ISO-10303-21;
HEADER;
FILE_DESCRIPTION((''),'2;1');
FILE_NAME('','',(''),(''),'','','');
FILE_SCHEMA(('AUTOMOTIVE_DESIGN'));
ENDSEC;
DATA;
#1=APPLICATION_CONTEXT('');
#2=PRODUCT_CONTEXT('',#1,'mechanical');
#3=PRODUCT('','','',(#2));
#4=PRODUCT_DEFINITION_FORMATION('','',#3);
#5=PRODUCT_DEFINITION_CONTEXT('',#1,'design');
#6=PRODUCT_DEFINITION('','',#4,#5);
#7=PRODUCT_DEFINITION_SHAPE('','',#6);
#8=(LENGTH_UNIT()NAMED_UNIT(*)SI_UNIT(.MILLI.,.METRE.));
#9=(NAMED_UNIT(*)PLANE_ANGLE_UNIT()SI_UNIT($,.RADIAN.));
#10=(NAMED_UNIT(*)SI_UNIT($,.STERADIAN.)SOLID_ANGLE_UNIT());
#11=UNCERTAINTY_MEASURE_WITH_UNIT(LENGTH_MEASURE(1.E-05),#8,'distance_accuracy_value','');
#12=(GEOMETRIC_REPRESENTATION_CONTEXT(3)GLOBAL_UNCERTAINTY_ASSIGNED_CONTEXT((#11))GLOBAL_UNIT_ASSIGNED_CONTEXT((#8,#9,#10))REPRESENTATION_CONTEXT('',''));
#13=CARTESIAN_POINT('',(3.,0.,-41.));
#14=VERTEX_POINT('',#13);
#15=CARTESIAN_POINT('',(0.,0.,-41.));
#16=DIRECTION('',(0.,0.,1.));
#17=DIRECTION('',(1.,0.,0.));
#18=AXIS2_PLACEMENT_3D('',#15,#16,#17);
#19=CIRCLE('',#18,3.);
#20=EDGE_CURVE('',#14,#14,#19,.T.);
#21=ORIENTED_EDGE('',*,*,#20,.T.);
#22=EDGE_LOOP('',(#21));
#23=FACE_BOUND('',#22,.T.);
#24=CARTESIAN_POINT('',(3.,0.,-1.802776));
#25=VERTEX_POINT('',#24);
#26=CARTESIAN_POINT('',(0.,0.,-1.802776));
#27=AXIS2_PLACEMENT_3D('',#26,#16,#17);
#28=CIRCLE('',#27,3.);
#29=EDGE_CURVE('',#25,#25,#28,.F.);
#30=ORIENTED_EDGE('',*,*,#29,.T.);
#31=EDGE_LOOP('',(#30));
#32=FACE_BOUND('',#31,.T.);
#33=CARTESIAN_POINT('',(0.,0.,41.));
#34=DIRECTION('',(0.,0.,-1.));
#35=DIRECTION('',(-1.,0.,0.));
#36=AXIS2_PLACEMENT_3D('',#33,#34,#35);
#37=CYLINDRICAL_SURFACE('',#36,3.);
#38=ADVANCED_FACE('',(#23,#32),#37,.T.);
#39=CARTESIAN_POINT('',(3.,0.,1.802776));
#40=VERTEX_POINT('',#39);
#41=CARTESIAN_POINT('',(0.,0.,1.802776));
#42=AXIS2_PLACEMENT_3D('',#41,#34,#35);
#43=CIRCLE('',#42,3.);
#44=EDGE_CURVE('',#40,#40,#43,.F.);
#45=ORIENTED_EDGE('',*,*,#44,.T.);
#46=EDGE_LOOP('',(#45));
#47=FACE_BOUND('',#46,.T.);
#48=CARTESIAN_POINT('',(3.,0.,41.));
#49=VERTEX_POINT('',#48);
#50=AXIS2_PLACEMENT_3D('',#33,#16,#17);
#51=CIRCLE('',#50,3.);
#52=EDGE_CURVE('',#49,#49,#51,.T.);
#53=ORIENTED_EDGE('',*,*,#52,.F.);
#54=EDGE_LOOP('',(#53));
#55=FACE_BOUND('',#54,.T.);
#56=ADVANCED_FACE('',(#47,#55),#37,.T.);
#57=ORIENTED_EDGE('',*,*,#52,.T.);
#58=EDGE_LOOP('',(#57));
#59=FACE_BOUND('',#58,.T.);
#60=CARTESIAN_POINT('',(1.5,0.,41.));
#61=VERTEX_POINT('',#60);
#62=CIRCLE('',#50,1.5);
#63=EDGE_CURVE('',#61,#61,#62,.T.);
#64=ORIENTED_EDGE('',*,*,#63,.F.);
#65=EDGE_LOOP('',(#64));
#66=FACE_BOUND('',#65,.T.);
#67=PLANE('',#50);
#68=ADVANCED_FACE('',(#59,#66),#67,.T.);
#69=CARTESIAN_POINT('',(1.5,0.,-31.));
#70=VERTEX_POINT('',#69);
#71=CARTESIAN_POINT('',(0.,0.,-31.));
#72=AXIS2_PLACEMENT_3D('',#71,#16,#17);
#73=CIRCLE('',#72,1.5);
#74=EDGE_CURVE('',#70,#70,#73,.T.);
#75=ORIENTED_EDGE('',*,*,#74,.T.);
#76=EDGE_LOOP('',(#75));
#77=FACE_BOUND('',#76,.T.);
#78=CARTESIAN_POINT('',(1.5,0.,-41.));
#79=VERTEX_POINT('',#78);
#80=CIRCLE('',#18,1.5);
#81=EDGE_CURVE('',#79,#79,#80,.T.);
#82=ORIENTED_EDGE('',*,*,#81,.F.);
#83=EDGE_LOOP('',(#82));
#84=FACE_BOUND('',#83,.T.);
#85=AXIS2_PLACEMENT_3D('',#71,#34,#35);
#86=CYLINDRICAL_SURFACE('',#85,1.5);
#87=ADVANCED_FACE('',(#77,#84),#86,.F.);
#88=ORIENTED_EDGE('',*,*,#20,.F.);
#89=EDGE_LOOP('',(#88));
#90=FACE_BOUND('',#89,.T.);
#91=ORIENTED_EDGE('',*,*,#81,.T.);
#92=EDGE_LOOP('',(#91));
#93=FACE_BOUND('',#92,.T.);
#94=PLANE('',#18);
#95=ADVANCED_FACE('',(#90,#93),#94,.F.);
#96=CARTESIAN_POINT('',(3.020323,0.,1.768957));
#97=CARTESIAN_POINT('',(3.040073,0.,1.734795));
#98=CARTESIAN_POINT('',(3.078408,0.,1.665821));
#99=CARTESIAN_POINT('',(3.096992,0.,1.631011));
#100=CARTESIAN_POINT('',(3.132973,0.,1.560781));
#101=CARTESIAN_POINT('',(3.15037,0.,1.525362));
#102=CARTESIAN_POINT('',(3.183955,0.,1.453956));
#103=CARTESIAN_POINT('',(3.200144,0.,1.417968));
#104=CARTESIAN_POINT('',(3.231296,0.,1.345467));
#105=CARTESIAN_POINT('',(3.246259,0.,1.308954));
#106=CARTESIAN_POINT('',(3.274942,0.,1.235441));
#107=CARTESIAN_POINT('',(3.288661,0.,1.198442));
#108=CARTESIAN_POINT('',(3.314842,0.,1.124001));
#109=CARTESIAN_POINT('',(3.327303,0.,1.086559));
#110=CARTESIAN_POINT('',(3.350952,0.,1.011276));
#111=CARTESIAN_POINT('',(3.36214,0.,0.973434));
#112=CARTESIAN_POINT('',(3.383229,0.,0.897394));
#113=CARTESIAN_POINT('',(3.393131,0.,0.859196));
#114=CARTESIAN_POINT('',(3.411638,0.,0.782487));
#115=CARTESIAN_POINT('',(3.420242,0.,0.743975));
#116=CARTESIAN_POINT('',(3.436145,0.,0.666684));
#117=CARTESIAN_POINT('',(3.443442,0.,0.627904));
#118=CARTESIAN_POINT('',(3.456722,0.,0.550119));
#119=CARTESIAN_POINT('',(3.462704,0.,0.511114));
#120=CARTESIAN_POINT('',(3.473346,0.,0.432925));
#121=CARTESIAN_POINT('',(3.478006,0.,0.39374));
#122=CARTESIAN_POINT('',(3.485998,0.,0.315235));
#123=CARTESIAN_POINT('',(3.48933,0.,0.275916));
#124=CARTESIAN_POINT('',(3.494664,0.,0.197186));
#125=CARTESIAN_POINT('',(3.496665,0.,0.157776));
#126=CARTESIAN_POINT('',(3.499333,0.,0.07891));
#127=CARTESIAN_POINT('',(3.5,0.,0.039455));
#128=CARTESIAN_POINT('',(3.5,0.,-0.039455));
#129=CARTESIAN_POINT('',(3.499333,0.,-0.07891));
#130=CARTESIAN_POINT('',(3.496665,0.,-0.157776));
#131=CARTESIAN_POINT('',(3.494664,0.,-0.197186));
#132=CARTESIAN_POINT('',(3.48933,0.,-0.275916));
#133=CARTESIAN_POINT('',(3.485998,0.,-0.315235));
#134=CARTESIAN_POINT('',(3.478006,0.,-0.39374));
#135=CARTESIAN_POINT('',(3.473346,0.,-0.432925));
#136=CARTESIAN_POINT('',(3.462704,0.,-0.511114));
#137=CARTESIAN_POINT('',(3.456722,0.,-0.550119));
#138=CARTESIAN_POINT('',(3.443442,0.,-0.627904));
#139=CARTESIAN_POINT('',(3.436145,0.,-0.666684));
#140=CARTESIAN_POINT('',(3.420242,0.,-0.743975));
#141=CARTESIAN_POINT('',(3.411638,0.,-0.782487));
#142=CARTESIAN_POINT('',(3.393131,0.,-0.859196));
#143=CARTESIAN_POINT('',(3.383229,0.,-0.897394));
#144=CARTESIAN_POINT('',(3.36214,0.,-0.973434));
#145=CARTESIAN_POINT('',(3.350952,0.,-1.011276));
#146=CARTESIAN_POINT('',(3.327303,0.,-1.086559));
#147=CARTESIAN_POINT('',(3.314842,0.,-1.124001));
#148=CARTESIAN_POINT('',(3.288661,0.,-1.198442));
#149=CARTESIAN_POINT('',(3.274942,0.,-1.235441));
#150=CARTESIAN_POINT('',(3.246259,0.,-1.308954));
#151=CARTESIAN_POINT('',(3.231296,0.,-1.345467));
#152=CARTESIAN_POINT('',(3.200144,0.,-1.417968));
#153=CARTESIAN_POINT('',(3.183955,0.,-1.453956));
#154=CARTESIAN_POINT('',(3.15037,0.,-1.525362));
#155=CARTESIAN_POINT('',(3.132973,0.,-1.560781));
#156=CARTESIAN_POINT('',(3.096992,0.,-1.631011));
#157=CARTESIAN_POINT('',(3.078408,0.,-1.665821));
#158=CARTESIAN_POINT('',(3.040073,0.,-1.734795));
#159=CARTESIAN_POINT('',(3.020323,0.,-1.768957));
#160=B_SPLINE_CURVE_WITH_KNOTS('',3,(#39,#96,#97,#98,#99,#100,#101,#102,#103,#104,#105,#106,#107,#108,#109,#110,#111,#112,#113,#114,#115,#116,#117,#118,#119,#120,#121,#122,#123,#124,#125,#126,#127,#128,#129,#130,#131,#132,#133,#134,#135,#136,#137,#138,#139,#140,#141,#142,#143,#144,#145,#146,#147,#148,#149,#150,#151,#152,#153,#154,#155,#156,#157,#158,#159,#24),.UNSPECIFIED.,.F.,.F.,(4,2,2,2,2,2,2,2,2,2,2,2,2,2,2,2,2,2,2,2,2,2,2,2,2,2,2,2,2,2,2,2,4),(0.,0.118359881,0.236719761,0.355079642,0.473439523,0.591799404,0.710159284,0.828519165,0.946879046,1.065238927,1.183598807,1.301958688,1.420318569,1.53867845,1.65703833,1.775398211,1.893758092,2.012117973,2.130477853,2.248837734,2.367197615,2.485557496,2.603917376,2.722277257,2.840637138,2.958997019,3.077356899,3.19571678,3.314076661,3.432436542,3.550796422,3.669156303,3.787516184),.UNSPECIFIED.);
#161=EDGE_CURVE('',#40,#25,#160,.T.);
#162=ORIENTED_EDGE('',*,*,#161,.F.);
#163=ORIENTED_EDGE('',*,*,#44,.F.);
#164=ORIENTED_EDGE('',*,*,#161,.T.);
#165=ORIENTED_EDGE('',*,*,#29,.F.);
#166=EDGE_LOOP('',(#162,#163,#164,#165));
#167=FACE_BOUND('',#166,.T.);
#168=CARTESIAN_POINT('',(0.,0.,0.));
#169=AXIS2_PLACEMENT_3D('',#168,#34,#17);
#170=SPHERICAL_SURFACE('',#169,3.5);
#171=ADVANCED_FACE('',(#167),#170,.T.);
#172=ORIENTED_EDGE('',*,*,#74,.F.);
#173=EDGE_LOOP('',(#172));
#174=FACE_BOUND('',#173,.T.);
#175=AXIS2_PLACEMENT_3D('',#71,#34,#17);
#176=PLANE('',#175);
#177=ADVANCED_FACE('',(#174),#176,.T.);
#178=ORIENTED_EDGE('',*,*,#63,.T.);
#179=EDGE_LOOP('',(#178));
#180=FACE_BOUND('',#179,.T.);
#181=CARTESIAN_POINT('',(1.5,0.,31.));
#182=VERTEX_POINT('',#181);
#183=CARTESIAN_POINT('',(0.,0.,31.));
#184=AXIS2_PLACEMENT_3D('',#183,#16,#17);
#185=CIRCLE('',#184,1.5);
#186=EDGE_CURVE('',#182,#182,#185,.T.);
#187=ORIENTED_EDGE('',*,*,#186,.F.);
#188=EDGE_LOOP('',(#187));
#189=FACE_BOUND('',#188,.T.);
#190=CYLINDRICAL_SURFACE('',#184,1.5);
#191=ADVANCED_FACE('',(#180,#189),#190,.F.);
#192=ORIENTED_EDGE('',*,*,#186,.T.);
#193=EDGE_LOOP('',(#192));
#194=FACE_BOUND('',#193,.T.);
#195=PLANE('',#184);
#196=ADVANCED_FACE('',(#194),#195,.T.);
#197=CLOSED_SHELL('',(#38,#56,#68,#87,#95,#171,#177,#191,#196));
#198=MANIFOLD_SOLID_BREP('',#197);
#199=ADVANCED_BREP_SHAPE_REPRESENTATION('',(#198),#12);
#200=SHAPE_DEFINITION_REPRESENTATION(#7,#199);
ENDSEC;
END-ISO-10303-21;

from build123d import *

# Parameters (mm, degrees)
ESQUISSE1_R             = 3
EXTRUSION1_DEPTH        = 41
ESQUISSE2_R             = 1.5
ENL_V_MAT_EXTRU_1_DEPTH = 10


with BuildPart() as part:
    # Esquisse1 → Extrusion1 (new, symmetric)
    with BuildSketch(Plane.XY):
        Circle(ESQUISSE1_R)
    extrude(amount=EXTRUSION1_DEPTH, both=True)

    # Esquisse2 → Enlèv. mat.-Extru.1 (cut)
    with BuildSketch(Plane.XY.offset(41)):
        Circle(ESQUISSE2_R)
    enl_v_mat_extru_1 = extrude(amount=-ENL_V_MAT_EXTRU_1_DEPTH, mode=Mode.SUBTRACT)

    # Symétrie1: Enlèv. mat.-Extru.1 across plane
    add(enl_v_mat_extru_1.mirror(Plane.XY), mode=Mode.SUBTRACT)

    # Esquisse3 → Révolution1 (revolve)
    with BuildSketch(Plane(origin=(0, 0, 0), x_dir=(1, 0, 0), z_dir=(0, 1, 0))):
        with BuildLine():
            Line((0, -3.5), (0, 3.5))
            ThreePointArc((0, 3.5), (-3.5, 0), (0, -3.5))
        make_face()
    revolve(axis=Axis((0, 0, -20.452007924), (0, 0, 1)))


solid = part.part
